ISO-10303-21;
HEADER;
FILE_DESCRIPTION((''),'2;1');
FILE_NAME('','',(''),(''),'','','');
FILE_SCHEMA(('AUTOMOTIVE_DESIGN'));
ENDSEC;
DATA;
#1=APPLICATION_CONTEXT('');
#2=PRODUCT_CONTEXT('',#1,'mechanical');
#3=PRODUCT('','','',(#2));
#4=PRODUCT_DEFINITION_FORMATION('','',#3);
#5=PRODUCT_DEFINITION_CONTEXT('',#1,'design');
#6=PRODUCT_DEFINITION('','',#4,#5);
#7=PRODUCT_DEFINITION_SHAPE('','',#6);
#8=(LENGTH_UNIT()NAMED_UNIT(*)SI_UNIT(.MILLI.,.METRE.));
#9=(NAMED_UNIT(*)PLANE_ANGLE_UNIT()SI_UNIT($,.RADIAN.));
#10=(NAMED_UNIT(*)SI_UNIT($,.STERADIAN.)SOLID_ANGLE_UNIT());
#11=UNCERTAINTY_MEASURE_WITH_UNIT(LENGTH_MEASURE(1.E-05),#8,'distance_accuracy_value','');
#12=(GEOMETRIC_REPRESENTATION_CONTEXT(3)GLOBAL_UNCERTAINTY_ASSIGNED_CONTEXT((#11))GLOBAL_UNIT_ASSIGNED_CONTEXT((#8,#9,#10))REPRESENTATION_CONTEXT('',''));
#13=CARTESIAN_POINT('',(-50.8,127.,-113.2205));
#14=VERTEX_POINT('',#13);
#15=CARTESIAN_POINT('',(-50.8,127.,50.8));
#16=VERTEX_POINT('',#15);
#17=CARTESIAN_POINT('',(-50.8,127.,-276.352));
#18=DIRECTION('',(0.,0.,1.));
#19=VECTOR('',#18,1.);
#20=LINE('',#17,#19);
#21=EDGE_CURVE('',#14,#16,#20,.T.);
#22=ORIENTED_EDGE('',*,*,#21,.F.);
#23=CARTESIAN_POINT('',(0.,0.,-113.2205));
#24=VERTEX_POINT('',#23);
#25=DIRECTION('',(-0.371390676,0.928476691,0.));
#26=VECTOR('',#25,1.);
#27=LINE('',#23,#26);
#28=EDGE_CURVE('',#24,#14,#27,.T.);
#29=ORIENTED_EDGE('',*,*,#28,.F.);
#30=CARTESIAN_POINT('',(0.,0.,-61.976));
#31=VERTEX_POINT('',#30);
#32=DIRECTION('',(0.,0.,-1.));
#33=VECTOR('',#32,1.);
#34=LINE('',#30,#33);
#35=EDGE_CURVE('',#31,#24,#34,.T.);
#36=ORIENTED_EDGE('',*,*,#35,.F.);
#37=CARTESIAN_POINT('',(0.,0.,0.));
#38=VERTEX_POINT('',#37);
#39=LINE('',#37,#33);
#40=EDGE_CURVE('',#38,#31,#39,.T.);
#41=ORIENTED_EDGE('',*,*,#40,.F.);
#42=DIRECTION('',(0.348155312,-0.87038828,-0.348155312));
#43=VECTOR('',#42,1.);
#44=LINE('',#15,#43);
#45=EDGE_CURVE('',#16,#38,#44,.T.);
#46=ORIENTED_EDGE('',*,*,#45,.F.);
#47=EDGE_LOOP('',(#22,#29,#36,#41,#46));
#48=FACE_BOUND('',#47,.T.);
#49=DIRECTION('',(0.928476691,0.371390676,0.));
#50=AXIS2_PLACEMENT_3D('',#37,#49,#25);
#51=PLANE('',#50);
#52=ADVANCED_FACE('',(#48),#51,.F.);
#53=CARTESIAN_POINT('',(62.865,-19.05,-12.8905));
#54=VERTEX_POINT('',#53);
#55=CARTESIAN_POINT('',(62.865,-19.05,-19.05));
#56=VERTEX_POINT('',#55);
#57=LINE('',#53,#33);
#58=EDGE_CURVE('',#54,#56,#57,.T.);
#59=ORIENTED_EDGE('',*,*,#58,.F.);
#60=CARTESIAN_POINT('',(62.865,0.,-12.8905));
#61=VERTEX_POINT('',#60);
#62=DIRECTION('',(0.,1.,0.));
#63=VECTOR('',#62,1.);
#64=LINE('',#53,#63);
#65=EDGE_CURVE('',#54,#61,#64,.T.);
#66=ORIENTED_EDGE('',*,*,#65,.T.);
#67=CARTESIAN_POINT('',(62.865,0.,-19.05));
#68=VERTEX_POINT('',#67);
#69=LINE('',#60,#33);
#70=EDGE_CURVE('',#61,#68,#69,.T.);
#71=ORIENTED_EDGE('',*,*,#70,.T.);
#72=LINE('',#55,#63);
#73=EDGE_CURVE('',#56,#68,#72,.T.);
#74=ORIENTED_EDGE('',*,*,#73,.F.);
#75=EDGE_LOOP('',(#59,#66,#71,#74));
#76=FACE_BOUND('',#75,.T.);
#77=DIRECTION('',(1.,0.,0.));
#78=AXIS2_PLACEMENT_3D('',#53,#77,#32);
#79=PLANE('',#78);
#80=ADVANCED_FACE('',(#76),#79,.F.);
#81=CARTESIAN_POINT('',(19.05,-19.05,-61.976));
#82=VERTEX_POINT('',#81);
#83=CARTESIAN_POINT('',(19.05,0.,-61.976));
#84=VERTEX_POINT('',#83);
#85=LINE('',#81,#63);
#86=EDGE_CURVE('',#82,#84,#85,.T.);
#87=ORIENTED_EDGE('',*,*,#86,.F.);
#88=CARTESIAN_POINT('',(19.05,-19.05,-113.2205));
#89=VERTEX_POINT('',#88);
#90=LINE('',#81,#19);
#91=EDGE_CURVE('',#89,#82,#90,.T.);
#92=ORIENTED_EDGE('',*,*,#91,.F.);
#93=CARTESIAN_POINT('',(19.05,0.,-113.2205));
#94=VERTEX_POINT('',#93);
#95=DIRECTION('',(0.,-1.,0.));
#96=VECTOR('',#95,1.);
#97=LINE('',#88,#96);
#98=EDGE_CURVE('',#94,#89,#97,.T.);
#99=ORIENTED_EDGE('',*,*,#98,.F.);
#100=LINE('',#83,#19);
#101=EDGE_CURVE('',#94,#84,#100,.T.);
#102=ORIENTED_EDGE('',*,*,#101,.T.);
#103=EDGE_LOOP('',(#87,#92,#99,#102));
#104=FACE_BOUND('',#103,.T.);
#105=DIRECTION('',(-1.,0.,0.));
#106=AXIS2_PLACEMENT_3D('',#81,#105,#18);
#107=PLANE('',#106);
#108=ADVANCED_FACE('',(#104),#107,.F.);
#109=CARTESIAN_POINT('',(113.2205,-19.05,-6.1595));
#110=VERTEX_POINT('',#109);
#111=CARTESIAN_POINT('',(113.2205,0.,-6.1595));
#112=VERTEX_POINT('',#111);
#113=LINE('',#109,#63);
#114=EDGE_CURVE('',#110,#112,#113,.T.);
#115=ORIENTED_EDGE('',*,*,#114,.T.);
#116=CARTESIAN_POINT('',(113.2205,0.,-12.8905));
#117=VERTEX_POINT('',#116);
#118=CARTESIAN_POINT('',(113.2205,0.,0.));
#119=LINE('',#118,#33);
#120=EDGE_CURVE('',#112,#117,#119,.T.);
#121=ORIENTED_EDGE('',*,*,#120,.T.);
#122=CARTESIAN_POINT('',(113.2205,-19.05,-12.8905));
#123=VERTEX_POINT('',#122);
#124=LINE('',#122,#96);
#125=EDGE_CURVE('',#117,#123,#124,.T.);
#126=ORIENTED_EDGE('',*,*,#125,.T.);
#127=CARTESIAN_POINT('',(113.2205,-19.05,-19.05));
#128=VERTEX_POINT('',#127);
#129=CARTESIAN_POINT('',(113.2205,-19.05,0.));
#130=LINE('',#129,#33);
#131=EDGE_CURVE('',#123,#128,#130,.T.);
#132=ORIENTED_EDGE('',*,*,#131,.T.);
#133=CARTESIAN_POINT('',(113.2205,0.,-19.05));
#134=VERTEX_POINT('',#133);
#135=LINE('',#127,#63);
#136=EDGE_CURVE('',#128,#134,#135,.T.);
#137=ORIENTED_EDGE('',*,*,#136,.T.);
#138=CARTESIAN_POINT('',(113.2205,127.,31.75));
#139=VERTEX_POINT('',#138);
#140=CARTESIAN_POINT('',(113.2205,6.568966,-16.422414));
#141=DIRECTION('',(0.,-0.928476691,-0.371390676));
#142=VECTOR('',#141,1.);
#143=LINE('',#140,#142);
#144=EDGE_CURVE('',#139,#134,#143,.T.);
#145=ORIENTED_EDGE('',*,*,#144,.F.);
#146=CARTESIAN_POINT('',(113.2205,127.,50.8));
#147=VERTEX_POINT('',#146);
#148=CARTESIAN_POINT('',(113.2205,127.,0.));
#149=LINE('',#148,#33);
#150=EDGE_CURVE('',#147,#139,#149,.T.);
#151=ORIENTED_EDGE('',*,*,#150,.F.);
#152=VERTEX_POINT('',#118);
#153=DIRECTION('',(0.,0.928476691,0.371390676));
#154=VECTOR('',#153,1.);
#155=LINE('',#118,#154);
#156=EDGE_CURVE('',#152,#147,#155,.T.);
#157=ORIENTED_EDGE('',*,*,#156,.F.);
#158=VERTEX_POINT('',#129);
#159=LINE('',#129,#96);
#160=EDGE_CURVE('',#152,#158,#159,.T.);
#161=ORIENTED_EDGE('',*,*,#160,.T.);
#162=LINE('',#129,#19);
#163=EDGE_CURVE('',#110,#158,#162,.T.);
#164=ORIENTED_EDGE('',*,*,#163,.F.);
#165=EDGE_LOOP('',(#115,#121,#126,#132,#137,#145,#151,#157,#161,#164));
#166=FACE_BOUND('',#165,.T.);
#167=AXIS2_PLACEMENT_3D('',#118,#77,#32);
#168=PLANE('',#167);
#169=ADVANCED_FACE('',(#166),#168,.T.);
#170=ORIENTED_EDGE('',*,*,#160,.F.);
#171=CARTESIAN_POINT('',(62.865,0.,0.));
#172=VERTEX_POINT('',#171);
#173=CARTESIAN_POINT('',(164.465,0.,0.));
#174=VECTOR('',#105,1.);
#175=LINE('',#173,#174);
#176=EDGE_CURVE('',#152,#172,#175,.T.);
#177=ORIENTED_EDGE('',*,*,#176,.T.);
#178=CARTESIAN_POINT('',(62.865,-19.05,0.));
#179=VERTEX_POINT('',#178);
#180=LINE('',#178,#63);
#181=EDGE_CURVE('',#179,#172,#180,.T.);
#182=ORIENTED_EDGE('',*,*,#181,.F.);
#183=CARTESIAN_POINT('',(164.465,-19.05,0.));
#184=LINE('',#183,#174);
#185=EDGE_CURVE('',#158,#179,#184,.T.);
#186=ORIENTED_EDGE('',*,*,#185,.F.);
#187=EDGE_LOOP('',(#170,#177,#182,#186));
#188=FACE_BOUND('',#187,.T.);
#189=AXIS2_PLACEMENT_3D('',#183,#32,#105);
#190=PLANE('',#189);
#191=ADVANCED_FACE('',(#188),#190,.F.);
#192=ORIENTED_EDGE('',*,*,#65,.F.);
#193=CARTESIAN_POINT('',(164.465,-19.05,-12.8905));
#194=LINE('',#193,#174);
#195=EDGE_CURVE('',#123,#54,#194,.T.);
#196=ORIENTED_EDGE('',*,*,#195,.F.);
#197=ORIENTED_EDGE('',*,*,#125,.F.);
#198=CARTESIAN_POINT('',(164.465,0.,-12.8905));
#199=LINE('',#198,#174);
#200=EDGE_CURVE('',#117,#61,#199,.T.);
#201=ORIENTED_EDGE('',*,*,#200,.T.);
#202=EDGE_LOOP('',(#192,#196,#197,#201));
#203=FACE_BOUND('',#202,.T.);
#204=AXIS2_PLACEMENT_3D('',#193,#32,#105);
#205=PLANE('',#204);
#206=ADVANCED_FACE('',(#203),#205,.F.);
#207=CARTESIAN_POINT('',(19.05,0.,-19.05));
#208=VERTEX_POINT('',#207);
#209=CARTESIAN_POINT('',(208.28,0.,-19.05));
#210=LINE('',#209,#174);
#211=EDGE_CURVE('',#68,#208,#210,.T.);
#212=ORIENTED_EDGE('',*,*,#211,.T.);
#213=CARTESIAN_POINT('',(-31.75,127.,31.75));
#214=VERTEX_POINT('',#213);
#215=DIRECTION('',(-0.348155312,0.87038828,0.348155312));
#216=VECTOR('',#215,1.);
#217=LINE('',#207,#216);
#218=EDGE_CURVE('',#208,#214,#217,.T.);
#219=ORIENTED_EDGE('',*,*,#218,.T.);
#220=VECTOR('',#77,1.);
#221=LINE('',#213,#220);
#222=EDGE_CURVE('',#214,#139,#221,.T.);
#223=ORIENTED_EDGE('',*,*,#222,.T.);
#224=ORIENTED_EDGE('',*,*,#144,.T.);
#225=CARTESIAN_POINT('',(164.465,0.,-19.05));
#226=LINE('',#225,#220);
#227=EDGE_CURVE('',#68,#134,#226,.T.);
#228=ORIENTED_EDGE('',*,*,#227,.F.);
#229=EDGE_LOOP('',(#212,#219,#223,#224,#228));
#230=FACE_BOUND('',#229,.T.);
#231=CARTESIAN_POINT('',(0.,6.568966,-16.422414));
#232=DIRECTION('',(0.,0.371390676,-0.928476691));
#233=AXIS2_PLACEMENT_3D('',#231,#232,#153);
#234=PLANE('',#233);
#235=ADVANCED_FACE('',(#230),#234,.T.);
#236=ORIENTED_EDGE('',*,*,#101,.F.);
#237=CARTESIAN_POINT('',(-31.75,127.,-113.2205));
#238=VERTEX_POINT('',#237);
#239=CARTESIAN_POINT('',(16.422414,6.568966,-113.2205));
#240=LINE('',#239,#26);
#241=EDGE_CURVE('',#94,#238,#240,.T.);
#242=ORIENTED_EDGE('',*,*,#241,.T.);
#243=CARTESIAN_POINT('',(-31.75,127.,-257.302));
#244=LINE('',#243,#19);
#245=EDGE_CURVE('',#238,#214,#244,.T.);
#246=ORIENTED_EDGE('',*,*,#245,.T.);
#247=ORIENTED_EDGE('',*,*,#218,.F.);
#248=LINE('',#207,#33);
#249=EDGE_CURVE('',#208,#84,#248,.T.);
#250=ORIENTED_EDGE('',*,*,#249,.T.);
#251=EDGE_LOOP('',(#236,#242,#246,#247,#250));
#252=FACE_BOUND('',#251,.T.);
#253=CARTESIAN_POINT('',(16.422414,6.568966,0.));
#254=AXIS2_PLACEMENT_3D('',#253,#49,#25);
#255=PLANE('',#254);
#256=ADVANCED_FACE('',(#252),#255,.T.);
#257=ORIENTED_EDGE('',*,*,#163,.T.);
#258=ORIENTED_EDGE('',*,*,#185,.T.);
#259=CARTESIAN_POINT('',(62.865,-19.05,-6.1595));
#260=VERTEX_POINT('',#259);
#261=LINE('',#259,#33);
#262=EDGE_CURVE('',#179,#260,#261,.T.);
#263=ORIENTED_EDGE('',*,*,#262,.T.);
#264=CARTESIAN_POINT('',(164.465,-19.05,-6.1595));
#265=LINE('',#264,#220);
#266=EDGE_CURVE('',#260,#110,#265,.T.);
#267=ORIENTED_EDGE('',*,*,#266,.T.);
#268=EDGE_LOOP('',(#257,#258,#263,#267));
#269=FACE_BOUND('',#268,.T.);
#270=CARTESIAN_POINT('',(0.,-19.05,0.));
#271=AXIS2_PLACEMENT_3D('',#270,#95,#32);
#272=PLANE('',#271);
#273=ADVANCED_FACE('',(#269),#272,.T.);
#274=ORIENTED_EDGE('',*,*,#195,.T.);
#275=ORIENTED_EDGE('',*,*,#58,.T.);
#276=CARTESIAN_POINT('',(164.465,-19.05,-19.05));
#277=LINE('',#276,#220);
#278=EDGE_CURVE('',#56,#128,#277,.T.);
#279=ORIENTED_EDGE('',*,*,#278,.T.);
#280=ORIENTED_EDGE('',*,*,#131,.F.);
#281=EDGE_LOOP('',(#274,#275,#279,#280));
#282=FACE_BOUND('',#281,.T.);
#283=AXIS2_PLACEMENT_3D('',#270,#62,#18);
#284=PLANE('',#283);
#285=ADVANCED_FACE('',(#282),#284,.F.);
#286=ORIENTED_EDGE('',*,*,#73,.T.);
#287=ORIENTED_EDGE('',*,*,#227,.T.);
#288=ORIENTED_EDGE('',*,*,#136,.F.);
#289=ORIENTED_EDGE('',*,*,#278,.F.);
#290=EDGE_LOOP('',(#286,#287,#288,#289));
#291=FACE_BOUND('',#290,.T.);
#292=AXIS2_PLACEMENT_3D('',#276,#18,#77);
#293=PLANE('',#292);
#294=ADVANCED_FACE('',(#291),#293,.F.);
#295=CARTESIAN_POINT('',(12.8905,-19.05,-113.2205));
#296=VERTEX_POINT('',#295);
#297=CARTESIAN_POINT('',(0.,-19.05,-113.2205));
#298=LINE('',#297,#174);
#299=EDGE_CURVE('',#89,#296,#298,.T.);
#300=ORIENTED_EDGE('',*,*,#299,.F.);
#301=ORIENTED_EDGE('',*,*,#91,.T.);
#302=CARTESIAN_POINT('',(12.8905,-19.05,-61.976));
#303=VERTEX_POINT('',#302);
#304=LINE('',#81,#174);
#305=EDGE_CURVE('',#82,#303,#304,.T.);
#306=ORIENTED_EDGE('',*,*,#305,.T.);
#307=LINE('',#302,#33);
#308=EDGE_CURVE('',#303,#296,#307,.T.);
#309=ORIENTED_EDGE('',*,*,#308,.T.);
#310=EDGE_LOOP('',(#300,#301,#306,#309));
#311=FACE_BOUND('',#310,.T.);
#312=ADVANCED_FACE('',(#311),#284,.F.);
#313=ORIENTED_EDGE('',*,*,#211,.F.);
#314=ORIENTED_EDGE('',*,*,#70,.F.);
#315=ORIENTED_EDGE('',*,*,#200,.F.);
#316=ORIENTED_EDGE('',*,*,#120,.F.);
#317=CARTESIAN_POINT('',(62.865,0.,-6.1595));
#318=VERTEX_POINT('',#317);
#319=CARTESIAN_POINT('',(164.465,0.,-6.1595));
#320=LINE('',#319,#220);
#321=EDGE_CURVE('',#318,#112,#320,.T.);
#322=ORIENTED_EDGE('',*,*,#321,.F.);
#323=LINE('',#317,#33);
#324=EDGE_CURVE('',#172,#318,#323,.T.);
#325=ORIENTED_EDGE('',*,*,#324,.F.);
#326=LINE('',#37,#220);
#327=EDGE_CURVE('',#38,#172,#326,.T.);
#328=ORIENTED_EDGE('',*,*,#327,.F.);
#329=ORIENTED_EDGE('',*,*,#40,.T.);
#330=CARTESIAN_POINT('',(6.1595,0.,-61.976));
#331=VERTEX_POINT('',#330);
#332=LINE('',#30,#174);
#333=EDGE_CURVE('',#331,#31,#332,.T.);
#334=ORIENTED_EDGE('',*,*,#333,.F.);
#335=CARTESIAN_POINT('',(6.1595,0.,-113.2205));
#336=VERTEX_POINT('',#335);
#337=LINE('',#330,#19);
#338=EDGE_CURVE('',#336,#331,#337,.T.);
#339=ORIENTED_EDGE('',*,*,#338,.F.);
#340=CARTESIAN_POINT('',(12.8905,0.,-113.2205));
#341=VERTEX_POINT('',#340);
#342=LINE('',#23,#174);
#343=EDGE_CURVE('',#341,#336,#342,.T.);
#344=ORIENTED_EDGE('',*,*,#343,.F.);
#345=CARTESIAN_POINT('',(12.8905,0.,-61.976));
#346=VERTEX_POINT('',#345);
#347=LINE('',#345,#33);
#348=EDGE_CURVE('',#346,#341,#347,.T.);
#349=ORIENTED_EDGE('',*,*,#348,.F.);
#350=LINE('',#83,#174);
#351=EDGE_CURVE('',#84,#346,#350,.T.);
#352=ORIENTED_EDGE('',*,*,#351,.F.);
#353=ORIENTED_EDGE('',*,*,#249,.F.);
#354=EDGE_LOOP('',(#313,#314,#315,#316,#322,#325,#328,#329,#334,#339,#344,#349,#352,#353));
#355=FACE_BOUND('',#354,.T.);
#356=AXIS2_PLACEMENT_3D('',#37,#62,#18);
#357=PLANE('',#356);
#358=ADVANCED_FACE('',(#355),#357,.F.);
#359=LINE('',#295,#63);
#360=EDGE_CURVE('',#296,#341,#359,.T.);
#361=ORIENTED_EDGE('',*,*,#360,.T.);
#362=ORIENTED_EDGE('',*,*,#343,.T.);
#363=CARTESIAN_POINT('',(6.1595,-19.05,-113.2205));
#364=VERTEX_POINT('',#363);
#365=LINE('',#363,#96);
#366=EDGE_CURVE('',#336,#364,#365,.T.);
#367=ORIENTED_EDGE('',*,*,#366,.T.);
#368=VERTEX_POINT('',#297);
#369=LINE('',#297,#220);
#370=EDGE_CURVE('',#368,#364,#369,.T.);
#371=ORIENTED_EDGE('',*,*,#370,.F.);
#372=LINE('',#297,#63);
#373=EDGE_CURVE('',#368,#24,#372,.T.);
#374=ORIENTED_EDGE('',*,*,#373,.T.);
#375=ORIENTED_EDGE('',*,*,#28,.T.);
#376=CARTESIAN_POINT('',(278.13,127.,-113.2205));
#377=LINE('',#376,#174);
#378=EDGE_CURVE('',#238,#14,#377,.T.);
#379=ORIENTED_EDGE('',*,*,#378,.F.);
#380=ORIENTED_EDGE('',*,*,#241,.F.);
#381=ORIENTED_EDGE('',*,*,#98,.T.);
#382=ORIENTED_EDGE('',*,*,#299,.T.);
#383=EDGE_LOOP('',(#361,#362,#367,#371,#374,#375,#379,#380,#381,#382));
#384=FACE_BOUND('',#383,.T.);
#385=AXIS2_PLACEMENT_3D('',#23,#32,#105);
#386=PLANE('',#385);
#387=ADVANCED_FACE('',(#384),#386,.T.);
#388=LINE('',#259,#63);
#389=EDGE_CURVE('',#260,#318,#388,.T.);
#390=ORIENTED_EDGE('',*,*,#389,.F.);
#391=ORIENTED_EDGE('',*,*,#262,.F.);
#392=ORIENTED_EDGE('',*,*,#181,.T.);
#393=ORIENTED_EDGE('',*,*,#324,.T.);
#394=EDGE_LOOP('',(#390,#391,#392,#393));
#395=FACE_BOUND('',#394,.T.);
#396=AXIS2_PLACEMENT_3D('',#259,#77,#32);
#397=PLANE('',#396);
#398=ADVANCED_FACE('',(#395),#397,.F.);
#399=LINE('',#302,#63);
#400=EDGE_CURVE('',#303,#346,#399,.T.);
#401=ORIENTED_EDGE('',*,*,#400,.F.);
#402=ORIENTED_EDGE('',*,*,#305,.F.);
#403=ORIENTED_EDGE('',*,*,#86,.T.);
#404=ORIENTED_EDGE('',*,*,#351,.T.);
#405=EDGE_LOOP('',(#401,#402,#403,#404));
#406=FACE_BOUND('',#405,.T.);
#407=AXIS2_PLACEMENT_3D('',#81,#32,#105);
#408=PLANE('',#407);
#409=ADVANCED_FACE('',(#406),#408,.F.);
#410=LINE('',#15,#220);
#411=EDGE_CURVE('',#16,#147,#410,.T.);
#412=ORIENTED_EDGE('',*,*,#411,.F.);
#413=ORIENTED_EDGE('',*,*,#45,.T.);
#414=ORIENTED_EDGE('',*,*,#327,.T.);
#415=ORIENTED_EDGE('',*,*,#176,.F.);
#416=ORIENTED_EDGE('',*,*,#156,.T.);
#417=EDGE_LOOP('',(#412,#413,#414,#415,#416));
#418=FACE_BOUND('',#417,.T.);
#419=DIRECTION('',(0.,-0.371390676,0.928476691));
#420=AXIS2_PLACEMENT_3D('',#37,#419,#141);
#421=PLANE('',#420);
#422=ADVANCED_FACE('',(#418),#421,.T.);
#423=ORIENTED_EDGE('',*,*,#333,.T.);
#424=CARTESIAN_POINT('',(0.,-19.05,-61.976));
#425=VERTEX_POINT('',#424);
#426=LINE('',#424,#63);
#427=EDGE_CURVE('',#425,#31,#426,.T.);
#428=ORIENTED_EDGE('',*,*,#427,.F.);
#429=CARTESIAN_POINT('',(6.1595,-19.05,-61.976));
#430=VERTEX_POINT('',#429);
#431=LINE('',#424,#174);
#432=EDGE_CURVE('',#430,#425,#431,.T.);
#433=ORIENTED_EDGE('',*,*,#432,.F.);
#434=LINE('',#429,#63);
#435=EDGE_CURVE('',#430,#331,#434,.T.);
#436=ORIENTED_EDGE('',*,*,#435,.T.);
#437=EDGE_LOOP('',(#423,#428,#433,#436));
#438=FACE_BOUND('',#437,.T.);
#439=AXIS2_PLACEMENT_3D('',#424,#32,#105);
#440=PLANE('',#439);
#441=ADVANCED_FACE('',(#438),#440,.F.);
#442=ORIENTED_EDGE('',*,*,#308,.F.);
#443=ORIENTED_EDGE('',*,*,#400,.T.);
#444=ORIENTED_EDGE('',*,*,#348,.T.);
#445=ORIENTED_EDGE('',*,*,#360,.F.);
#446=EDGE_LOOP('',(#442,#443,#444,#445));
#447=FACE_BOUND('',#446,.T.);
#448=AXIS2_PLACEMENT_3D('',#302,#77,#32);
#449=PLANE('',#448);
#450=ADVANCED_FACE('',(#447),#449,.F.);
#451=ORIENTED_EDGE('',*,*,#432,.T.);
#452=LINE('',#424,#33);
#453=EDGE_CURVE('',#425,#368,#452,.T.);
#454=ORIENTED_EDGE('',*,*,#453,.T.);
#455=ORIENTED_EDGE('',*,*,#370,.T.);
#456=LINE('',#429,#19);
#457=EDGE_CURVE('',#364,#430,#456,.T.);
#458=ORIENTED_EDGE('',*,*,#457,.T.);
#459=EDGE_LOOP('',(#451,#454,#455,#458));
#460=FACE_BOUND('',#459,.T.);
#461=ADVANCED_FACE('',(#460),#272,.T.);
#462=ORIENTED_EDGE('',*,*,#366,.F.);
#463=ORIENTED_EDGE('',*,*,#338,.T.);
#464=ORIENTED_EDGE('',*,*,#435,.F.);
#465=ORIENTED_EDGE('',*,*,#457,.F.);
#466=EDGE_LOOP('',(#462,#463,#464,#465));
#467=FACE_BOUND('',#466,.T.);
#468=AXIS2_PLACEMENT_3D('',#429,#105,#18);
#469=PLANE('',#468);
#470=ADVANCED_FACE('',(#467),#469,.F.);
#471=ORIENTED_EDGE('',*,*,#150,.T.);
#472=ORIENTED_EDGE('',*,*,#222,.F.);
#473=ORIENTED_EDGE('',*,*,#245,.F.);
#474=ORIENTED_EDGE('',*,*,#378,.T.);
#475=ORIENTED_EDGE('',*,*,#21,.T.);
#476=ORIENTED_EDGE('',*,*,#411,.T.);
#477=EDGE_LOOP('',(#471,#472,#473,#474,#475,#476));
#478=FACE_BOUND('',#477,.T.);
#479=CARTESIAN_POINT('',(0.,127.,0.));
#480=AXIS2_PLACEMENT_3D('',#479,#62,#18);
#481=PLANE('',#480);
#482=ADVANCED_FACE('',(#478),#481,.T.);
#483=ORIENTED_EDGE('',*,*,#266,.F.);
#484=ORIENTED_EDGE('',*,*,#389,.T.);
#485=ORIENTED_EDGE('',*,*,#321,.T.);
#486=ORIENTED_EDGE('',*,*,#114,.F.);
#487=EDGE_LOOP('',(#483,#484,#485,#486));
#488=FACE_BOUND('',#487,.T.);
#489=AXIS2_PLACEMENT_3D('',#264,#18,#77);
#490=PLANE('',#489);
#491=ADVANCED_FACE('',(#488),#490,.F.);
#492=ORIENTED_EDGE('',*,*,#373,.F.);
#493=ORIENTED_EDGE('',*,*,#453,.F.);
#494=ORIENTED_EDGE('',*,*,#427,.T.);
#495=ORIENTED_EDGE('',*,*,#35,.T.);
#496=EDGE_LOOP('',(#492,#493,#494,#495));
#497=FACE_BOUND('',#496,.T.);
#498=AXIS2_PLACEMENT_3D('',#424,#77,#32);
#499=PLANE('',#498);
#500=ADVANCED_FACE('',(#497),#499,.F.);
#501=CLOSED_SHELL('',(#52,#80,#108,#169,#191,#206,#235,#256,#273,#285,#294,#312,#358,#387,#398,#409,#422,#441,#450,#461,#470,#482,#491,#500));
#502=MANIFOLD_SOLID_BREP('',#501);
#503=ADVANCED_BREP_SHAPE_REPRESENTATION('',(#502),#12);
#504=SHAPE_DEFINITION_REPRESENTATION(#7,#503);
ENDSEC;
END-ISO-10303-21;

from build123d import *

# Parameters (mm, degrees)
SKETCH5_W           = 6.1595
SKETCH5_H           = 101.6
SKETCH5_W_2         = 101.6
SKETCH5_H_2         = 6.1595
BOSS_EXTRUDE1_DEPTH = 19.05
SKETCH6_W           = 333.025633445
SKETCH6_H           = 150.821732437
CUT_EXTRUDE1_DEPTH  = 205.486
SKETCH7_W           = 172.839732196
SKETCH7_H           = 155.996881263
CUT_EXTRUDE2_DEPTH  = 205.486


with BuildPart() as part:
    # Sketch2 → Loft1 section 0
    with BuildSketch(Plane(origin=(0, 127, 0), x_dir=(1, 0, 0), z_dir=(0, 1, 0))):
        with BuildLine():
            Line((-50.8, -50.8), (278.13, -50.8))
            Line((278.13, -50.8), (278.13, 276.352))
            Line((278.13, 276.352), (-50.8, 276.352))
            Line((-50.8, 276.352), (-50.8, -50.8))
        make_face()
    # Sketch1 → Loft1 section 1
    with BuildSketch(Plane(origin=(0, 0, 0), x_dir=(1, 0, 0), z_dir=(0, 1, 0))):
        with BuildLine():
            Line((0, 0), (227.33, 0))
            Line((227.33, 0), (227.33, 225.552))
            Line((227.33, 225.552), (0, 225.552))
            Line((0, 225.552), (0, 0))
        make_face()
    loft()

    # Sketch4 → Cut-Loft3 section 0
    with BuildSketch(Plane.XZ):
        with BuildLine():
            Line((208.28, -19.05), (19.05, -19.05))
            Line((19.05, -19.05), (19.05, -206.502))
            Line((19.05, -206.502), (208.28, -206.502))
            Line((208.28, -206.502), (208.28, -19.05))
        make_face()
    # Sketch3 → Cut-Loft3 section 1
    with BuildSketch(Plane(origin=(0, 127, 0), x_dir=(1, 0, 0), z_dir=(0, 1, 0))):
        with BuildLine():
            Line((-31.75, 257.302), (-31.75, -31.75))
            Line((-31.75, -31.75), (259.08, -31.75))
            Line((259.08, -31.75), (259.08, 257.302))
            Line((259.08, 257.302), (-31.75, 257.302))
        make_face()
    loft(mode=Mode.SUBTRACT)

    # Sketch5 → Boss-Extrude1 (add)
    with BuildSketch(Plane.XZ):
        with Locations((3.07975, -112.776)):
            Rectangle(SKETCH5_W, SKETCH5_H)
        with Locations((15.97025, -112.776)):
            Rectangle(SKETCH5_W, SKETCH5_H)
        with Locations((113.665, -3.07975)):
            Rectangle(SKETCH5_W_2, SKETCH5_H_2)
        with Locations((113.665, -15.97025)):
            Rectangle(SKETCH5_W_2, SKETCH5_H_2)
        with Locations((223.36125, -113.665)):
            Rectangle(SKETCH5_W, SKETCH5_H)
        with Locations((210.47075, -113.665)):
            Rectangle(SKETCH5_W, SKETCH5_H)
        with Locations((112.776, -223.36125)):
            Rectangle(SKETCH5_W_2, SKETCH5_H_2)
        with Locations((112.776, -210.47075)):
            Rectangle(SKETCH5_W_2, SKETCH5_H_2)
    extrude(amount=BOSS_EXTRUDE1_DEPTH)

    # Sketch6 → Cut-Extrude1 (cut)
    with BuildSketch(Plane.XY.offset(-113.2205)):
        with Locations((111.617183278, 51.589133782)):
            Rectangle(SKETCH6_W, SKETCH6_H)
    extrude(amount=-CUT_EXTRUDE1_DEPTH, mode=Mode.SUBTRACT)

    # Sketch7 → Cut-Extrude2 (cut)
    with BuildSketch(Plane.ZY.offset(-113.2205)):
        with Locations((-29.906934154, 52.245596061)):
            Rectangle(SKETCH7_W, SKETCH7_H)
    extrude(amount=-CUT_EXTRUDE2_DEPTH, mode=Mode.SUBTRACT)


solid = part.part
